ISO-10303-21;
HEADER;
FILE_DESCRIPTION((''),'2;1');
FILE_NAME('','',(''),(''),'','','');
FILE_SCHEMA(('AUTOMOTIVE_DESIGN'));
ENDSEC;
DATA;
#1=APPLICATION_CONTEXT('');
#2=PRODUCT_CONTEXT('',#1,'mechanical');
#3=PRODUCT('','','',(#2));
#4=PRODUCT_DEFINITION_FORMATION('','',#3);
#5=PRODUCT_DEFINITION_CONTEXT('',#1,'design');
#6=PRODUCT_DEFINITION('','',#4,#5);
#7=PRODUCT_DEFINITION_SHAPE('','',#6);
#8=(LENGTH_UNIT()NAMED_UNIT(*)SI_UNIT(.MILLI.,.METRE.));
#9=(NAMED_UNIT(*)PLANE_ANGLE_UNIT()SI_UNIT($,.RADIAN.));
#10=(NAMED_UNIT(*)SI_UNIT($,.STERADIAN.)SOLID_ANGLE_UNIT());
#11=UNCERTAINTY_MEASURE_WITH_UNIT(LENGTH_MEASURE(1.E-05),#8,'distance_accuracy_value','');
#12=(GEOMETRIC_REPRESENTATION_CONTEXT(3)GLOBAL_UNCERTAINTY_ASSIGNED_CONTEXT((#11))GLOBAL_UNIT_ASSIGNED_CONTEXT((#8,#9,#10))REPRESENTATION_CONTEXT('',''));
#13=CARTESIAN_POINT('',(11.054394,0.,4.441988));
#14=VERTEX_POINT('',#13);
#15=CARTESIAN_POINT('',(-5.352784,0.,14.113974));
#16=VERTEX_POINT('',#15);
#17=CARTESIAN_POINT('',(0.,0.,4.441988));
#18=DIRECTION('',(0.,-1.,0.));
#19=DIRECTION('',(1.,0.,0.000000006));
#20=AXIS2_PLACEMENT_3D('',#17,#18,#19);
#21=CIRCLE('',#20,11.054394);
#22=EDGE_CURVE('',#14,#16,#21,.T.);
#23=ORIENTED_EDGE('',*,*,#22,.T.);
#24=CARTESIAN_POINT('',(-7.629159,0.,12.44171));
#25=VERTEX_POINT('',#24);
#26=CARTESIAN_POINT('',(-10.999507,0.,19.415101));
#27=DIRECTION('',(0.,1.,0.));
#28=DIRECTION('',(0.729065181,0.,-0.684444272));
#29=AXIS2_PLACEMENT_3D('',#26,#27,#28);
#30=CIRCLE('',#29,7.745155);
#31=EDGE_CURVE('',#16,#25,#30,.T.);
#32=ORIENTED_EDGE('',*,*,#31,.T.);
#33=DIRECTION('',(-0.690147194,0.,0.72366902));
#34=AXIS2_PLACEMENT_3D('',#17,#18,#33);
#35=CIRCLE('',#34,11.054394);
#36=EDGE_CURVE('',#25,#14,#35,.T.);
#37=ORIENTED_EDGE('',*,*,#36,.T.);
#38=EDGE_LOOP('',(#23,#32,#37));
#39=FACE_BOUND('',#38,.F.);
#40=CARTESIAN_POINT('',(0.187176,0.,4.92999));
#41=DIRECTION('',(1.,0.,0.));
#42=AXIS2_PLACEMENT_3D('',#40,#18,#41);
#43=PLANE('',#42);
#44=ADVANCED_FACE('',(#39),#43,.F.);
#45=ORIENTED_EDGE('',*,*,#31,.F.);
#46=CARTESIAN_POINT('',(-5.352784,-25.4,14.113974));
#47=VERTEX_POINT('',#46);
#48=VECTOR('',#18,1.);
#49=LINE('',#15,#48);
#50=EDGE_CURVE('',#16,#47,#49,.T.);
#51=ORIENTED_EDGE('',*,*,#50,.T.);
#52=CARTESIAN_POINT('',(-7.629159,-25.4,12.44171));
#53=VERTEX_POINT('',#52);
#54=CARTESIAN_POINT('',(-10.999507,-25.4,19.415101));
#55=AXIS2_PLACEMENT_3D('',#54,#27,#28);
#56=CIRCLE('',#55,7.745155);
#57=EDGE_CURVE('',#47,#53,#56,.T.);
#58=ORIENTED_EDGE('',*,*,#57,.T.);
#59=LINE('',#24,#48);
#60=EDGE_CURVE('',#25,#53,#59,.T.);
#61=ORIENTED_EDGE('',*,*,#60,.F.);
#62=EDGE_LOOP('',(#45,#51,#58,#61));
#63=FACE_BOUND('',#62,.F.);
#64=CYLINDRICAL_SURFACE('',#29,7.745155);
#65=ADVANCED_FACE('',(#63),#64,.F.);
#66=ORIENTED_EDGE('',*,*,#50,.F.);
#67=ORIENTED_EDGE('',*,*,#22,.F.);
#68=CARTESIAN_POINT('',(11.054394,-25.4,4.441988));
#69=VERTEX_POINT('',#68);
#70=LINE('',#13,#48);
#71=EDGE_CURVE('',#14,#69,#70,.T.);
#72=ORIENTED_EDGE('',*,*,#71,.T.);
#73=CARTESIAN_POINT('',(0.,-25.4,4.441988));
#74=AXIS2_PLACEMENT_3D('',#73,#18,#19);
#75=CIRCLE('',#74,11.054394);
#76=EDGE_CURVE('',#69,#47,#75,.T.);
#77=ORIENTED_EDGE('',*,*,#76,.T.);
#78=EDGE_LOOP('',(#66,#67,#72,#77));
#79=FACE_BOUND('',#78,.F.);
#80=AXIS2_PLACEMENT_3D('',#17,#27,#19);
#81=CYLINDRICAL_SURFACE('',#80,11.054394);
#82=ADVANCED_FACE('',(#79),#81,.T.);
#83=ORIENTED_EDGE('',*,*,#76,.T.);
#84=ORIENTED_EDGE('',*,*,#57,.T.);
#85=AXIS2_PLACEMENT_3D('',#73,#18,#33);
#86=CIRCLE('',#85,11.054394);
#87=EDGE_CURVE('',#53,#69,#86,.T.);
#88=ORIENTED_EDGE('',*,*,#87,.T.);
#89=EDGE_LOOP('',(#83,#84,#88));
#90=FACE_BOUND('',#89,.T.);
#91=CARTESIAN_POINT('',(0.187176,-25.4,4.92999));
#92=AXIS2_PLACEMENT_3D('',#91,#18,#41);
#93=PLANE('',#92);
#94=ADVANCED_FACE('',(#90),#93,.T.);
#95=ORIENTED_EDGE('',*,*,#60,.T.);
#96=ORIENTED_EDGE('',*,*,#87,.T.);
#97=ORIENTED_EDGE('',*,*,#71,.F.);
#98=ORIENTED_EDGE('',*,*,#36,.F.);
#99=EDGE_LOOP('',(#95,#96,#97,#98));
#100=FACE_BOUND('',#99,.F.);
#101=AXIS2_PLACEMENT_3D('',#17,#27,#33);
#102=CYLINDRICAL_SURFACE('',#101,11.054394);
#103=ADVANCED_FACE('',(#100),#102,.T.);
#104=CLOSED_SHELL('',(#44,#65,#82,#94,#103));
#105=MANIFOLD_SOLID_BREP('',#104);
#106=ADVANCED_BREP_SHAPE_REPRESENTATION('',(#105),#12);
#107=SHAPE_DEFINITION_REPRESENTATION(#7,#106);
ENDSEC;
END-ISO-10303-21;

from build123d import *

# Parameters (mm, degrees)
F1_DEPTH = 25.4


with BuildPart() as f1:
    # F0 (on Front) → F1 (new body)
    with BuildSketch(Plane.XZ):
        with BuildLine():
            ThreePointArc((-7.629159, 12.44171), (-4.351086, -5.720083), (11.054394, 4.441988))
            ThreePointArc((11.054394, 4.441988), (5.613726, 13.964892), (-5.352784, 14.113974))
            ThreePointArc((-5.352784, 14.113974), (-6.414094, 13.173193), (-7.629159, 12.44171))
        make_face()
    extrude(amount=F1_DEPTH)


solid = f1.part
